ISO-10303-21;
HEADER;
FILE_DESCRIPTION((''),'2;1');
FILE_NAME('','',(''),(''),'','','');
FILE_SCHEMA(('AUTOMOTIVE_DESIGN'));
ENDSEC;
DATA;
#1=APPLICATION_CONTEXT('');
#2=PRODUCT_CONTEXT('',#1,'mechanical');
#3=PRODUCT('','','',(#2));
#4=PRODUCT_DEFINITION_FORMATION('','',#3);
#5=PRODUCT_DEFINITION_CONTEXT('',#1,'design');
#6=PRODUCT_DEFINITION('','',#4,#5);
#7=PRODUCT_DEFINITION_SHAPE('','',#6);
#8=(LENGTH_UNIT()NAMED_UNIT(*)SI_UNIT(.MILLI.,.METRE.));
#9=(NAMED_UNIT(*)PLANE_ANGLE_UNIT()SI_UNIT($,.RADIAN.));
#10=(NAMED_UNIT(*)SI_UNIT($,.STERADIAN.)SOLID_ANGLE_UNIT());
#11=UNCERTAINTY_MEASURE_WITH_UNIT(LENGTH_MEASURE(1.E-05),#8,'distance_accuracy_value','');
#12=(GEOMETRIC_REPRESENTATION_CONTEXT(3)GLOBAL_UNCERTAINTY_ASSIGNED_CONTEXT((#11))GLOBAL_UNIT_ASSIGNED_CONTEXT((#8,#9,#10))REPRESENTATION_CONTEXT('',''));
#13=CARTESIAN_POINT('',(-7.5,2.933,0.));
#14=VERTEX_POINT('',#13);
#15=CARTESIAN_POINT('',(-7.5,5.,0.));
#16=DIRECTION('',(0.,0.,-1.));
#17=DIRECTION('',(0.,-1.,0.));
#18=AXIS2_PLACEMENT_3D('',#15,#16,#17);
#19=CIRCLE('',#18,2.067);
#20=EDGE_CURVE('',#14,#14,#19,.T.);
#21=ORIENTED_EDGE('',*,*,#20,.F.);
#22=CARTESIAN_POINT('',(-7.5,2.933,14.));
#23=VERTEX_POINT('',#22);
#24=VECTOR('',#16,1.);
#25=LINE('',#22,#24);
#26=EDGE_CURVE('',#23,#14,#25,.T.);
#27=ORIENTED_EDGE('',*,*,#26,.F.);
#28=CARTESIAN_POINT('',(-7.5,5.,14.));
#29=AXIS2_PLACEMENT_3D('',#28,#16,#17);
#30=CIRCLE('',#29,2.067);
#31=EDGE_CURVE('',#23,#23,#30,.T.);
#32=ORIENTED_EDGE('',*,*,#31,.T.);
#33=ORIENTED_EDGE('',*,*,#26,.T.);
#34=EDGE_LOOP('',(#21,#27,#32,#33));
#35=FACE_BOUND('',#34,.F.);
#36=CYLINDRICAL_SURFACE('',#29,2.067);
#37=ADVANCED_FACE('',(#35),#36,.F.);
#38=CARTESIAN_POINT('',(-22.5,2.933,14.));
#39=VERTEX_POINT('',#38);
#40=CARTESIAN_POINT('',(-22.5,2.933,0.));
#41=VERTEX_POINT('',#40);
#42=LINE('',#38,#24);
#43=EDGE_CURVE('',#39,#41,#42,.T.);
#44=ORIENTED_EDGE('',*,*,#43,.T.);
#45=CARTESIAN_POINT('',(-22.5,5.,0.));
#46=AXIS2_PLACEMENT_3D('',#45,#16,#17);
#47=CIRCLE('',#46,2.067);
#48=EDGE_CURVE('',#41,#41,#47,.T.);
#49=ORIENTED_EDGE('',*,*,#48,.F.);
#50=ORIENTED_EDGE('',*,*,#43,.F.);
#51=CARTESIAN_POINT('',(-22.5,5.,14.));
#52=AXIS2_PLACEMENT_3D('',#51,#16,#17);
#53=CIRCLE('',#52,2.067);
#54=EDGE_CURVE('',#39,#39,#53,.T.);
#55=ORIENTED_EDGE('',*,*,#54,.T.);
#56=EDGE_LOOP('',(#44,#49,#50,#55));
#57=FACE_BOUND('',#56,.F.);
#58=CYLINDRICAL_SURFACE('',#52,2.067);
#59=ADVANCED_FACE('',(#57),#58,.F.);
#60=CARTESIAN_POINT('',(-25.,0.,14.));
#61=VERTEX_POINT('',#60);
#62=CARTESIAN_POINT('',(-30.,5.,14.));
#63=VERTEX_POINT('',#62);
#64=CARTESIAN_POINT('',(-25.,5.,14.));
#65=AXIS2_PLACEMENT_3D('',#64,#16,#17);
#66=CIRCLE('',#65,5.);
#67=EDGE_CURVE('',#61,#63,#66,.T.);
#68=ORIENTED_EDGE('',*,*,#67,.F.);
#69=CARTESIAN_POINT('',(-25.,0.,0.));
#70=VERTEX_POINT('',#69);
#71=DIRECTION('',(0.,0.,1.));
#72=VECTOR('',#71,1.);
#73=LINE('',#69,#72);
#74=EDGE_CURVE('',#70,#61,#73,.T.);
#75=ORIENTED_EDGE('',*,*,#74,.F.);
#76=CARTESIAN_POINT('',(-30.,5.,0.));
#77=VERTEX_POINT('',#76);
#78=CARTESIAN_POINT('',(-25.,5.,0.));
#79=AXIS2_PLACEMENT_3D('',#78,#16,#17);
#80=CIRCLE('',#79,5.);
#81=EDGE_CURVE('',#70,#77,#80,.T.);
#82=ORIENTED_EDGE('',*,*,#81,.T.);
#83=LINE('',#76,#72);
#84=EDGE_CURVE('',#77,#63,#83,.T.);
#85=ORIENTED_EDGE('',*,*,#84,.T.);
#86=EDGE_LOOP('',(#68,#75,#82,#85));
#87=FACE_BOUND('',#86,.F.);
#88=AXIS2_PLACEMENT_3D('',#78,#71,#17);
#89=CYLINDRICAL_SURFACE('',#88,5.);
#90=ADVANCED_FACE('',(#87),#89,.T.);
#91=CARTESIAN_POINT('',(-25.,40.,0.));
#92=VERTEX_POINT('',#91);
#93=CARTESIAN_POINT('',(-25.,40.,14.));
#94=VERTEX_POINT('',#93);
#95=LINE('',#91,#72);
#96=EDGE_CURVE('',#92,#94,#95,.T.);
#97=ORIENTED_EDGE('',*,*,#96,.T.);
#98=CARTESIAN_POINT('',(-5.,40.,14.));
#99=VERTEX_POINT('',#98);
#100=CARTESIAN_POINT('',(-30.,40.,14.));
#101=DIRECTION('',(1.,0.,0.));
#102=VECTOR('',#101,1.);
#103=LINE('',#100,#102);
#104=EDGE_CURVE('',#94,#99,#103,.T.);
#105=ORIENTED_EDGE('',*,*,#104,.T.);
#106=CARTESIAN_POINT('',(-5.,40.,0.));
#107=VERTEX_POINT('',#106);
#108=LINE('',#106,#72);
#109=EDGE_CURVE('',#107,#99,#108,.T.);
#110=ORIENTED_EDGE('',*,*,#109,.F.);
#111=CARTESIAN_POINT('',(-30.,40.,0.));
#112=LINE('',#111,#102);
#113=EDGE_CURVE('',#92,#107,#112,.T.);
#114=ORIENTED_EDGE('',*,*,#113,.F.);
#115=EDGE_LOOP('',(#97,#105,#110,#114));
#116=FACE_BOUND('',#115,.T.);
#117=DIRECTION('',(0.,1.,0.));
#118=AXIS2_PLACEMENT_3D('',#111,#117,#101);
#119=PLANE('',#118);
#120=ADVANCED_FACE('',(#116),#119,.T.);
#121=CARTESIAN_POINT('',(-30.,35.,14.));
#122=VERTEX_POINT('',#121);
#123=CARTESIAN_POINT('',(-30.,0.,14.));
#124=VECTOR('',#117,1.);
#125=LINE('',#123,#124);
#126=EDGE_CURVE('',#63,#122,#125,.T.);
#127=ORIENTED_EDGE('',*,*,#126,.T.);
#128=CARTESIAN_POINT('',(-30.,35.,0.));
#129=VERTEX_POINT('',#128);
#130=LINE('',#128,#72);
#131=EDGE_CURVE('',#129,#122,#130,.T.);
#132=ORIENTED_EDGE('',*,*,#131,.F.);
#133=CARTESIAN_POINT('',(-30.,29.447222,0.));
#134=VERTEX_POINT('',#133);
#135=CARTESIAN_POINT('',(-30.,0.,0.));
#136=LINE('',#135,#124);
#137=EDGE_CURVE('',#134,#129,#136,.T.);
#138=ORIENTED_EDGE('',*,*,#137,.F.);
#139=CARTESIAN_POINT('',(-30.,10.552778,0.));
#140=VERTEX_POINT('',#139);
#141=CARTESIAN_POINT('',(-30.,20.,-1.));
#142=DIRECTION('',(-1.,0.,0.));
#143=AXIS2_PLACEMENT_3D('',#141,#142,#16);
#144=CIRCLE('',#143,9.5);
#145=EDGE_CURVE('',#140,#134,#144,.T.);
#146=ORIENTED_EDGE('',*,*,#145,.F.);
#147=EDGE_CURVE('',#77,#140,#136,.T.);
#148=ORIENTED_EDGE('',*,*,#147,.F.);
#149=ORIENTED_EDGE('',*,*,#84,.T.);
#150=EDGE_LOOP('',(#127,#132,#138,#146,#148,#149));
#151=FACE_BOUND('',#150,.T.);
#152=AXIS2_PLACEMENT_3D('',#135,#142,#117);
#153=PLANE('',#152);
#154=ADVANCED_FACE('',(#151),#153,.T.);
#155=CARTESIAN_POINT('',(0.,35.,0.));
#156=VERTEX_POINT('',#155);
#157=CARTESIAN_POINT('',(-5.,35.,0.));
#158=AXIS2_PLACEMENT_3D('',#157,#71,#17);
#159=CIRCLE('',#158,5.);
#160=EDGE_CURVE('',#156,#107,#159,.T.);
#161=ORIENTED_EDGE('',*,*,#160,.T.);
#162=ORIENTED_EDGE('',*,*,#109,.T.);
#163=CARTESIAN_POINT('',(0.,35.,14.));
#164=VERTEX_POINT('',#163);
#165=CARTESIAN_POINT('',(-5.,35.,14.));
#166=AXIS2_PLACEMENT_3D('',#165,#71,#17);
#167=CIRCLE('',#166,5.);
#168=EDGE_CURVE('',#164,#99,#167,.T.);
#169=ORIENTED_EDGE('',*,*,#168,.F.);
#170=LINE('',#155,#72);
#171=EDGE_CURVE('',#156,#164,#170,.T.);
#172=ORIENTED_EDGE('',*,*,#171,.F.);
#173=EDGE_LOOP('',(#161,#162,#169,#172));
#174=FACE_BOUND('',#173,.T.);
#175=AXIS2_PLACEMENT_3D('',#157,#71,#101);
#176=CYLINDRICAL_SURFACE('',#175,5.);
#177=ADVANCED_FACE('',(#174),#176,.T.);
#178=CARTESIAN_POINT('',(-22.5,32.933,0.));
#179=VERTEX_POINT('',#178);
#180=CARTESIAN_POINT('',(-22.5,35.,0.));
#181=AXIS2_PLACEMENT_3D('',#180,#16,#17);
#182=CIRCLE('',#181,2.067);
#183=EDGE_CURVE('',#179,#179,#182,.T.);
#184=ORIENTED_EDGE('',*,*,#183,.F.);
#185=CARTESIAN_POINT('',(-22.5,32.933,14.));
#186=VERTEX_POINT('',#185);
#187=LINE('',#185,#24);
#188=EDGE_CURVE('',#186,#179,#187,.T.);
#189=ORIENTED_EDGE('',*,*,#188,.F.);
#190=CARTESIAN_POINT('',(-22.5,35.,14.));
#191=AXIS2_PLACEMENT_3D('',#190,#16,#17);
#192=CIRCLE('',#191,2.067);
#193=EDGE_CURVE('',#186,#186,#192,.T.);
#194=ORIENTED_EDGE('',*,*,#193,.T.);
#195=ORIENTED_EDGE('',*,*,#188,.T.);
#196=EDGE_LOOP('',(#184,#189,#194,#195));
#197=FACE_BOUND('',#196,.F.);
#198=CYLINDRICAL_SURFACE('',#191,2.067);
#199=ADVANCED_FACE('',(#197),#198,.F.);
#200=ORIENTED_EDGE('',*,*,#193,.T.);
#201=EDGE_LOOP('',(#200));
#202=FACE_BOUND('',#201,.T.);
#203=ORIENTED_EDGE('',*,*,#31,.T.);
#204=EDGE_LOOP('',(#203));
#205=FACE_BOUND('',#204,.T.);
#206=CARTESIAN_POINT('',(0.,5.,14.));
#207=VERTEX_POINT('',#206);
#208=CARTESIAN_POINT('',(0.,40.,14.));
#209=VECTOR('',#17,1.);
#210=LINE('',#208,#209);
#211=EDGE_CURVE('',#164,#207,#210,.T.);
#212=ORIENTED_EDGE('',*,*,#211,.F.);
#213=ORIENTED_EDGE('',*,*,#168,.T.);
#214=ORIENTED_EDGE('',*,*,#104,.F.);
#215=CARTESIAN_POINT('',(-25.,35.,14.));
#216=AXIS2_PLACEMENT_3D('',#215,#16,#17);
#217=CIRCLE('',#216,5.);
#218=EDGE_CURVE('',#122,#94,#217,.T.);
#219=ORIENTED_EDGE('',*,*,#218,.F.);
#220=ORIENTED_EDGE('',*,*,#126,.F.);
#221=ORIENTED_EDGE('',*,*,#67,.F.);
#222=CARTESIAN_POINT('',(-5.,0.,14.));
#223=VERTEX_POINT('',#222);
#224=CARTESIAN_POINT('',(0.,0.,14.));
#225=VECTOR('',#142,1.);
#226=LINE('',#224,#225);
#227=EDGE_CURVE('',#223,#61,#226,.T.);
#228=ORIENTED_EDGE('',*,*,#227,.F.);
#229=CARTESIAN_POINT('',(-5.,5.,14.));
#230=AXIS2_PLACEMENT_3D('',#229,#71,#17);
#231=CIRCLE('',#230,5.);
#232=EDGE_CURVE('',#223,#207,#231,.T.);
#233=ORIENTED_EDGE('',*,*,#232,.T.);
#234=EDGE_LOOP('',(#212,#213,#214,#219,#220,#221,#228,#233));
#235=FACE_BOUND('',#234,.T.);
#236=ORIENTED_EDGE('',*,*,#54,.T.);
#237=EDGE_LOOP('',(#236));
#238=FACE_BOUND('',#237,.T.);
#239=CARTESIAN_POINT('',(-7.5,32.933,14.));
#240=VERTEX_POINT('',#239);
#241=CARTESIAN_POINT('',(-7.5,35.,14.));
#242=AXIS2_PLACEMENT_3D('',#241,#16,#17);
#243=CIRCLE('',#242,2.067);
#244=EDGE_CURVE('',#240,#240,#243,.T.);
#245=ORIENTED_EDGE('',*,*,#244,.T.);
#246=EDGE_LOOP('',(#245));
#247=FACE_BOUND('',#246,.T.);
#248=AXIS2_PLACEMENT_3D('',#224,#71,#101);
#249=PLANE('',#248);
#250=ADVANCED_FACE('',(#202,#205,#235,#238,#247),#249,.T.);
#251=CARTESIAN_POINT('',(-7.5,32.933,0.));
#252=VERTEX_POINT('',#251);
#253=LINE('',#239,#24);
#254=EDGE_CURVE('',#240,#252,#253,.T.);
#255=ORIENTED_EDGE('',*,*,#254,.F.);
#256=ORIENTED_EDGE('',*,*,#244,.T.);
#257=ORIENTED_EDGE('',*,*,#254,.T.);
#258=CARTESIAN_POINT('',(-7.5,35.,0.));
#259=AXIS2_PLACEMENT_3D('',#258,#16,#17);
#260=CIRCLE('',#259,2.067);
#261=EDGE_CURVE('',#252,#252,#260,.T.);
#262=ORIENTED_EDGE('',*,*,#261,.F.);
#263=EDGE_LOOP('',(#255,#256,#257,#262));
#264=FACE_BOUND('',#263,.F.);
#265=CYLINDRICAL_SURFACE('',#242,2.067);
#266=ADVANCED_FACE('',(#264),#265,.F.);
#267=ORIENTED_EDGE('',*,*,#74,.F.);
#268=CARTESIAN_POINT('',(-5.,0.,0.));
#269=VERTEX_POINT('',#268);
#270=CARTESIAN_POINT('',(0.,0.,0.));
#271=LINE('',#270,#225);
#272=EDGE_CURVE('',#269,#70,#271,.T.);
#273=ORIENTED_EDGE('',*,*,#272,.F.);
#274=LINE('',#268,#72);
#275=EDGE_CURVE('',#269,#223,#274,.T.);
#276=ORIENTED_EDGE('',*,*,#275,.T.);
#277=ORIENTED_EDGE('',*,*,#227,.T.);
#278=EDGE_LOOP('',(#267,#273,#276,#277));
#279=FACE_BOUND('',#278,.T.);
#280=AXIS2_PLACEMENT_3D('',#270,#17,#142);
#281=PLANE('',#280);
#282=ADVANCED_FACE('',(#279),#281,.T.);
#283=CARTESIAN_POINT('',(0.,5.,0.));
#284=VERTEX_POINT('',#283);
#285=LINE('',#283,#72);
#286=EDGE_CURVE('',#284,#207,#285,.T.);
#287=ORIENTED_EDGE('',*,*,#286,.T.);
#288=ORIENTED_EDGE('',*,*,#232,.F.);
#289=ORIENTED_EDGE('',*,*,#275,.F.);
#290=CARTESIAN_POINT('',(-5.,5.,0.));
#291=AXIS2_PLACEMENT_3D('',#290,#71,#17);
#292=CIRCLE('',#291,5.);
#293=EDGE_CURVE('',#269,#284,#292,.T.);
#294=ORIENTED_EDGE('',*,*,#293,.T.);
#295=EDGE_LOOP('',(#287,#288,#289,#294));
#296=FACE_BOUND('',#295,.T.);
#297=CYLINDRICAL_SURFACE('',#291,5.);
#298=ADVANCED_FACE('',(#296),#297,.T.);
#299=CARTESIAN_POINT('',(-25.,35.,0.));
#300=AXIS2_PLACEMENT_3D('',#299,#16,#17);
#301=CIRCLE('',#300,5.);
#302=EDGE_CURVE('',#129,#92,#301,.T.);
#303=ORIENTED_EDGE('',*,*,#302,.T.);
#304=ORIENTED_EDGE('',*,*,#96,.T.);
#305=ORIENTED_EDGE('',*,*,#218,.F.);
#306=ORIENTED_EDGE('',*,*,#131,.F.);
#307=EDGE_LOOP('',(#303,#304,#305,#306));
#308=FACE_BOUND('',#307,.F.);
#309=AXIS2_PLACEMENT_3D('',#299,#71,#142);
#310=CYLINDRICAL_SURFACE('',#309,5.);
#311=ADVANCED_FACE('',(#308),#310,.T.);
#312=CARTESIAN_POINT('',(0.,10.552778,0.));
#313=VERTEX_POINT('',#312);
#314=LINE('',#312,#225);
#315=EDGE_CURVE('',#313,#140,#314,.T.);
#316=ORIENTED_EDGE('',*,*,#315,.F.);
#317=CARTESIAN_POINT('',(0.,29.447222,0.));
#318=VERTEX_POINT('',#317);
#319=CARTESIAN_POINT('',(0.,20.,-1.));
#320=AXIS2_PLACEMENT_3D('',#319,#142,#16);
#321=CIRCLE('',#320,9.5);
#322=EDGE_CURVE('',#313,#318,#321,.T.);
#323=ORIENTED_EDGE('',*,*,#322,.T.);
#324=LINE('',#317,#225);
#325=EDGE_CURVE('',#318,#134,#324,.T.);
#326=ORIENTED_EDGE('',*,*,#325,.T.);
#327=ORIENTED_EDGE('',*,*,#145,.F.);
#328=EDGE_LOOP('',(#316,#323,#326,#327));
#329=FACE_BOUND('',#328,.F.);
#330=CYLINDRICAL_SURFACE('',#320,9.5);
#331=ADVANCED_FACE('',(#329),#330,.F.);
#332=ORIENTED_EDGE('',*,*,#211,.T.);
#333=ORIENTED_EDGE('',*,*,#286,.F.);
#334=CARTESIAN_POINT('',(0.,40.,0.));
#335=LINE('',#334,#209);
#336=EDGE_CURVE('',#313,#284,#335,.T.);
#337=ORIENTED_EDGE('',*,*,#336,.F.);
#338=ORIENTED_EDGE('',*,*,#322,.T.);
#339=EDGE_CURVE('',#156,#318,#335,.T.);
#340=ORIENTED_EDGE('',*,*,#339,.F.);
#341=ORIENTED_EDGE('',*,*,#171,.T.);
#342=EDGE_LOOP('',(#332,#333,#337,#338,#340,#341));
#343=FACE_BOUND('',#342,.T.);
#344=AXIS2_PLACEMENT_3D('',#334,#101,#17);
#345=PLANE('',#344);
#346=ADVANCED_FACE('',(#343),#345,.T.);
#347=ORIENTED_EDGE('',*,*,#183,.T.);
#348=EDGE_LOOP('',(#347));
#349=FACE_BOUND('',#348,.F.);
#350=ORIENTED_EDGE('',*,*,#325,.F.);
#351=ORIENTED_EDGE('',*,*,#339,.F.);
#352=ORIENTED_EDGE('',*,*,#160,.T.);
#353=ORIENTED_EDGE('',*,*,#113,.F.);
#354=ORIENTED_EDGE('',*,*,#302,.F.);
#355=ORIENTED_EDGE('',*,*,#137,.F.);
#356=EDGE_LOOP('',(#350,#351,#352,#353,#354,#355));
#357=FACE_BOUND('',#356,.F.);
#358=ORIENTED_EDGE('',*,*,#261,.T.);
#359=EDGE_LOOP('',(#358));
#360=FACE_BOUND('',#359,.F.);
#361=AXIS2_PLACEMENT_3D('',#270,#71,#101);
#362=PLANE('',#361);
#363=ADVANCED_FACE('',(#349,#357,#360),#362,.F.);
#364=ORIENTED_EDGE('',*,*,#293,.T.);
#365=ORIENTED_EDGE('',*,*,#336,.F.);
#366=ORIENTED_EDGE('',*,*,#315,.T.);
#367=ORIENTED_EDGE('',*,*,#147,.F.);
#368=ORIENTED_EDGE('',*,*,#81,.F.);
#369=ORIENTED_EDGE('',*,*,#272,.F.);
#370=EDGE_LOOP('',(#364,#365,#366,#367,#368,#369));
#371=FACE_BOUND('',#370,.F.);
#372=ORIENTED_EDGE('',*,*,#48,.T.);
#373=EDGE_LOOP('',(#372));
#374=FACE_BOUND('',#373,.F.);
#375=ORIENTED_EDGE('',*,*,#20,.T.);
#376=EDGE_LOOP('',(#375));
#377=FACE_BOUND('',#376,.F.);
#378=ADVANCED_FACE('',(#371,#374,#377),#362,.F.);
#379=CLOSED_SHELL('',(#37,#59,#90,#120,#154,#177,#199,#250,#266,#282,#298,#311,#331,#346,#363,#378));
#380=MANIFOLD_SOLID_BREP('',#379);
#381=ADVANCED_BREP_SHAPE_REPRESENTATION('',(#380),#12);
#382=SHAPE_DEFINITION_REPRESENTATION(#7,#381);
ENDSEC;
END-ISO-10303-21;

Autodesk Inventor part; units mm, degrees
ref_plane "YZ Plane" through (0, 0, 0) normal (1, 0, 0) x (0, 1, 0)
ref_plane "XZ Plane" through (0, 0, 0) normal (0, 1, 0) x (-1, 0, 0)
ref_plane "XY Plane" through (0, 0, 0) normal (0, 0, 1) x (1, 0, 0)
sketch "Sketch4" plane through (0, 0, 0) normal (0, 0, 1) x (1, 0, 0)
  line L0 (0, 0) -> (-30, 0)
  line L1 (-30, 0) -> (-30, 40)
  line L2 (-30, 40) -> (0, 40)
  line L3 (0, 40) -> (0, 0)
  dimension "d37" = 30
  dimension "d38" = 40
extrude "Extrusion2" add sketch "Sketch4" along normal blind 14
hole "Hole3" at (-22.5, 35, 14) direction (0, 0, -1) diameter 4.134 depth 14.2 tip angle 118 thread size "M5x0.8" class "6H" standard "ISO Metric profile"
hole "Hole4" at (-7.5, 35, 14) direction (0, 0, -1) diameter 4.134 depth 14.2 tip angle 118 thread size "M5x0.8" class "6H" standard "ANSI Metric M Profile"
hole "Hole5" at (-7.5, 5, 14) direction (0, 0, -1) diameter 4.134 depth 14.2 tip angle 118 thread size "M5x0.8" class "6H" standard "ANSI Metric M Profile"
hole "Hole6" at (-22.5, 5, 14) direction (0, 0, -1) diameter 4.134 depth 14.2 tip angle 118 thread size "M5x0.8" class "6H" standard "ANSI Metric M Profile"
hole "Hole7" at (0, 20, -1) direction (-1, 0, 0) diameter 19 end through all
fillet "Fillet1" radius 5 4 edges at (-30, 40, 7) (0, 40, 7) (0, 0, 7) (-30, 0, 7)
properties part number "GARFO" material "Aluminium AW-7020"
